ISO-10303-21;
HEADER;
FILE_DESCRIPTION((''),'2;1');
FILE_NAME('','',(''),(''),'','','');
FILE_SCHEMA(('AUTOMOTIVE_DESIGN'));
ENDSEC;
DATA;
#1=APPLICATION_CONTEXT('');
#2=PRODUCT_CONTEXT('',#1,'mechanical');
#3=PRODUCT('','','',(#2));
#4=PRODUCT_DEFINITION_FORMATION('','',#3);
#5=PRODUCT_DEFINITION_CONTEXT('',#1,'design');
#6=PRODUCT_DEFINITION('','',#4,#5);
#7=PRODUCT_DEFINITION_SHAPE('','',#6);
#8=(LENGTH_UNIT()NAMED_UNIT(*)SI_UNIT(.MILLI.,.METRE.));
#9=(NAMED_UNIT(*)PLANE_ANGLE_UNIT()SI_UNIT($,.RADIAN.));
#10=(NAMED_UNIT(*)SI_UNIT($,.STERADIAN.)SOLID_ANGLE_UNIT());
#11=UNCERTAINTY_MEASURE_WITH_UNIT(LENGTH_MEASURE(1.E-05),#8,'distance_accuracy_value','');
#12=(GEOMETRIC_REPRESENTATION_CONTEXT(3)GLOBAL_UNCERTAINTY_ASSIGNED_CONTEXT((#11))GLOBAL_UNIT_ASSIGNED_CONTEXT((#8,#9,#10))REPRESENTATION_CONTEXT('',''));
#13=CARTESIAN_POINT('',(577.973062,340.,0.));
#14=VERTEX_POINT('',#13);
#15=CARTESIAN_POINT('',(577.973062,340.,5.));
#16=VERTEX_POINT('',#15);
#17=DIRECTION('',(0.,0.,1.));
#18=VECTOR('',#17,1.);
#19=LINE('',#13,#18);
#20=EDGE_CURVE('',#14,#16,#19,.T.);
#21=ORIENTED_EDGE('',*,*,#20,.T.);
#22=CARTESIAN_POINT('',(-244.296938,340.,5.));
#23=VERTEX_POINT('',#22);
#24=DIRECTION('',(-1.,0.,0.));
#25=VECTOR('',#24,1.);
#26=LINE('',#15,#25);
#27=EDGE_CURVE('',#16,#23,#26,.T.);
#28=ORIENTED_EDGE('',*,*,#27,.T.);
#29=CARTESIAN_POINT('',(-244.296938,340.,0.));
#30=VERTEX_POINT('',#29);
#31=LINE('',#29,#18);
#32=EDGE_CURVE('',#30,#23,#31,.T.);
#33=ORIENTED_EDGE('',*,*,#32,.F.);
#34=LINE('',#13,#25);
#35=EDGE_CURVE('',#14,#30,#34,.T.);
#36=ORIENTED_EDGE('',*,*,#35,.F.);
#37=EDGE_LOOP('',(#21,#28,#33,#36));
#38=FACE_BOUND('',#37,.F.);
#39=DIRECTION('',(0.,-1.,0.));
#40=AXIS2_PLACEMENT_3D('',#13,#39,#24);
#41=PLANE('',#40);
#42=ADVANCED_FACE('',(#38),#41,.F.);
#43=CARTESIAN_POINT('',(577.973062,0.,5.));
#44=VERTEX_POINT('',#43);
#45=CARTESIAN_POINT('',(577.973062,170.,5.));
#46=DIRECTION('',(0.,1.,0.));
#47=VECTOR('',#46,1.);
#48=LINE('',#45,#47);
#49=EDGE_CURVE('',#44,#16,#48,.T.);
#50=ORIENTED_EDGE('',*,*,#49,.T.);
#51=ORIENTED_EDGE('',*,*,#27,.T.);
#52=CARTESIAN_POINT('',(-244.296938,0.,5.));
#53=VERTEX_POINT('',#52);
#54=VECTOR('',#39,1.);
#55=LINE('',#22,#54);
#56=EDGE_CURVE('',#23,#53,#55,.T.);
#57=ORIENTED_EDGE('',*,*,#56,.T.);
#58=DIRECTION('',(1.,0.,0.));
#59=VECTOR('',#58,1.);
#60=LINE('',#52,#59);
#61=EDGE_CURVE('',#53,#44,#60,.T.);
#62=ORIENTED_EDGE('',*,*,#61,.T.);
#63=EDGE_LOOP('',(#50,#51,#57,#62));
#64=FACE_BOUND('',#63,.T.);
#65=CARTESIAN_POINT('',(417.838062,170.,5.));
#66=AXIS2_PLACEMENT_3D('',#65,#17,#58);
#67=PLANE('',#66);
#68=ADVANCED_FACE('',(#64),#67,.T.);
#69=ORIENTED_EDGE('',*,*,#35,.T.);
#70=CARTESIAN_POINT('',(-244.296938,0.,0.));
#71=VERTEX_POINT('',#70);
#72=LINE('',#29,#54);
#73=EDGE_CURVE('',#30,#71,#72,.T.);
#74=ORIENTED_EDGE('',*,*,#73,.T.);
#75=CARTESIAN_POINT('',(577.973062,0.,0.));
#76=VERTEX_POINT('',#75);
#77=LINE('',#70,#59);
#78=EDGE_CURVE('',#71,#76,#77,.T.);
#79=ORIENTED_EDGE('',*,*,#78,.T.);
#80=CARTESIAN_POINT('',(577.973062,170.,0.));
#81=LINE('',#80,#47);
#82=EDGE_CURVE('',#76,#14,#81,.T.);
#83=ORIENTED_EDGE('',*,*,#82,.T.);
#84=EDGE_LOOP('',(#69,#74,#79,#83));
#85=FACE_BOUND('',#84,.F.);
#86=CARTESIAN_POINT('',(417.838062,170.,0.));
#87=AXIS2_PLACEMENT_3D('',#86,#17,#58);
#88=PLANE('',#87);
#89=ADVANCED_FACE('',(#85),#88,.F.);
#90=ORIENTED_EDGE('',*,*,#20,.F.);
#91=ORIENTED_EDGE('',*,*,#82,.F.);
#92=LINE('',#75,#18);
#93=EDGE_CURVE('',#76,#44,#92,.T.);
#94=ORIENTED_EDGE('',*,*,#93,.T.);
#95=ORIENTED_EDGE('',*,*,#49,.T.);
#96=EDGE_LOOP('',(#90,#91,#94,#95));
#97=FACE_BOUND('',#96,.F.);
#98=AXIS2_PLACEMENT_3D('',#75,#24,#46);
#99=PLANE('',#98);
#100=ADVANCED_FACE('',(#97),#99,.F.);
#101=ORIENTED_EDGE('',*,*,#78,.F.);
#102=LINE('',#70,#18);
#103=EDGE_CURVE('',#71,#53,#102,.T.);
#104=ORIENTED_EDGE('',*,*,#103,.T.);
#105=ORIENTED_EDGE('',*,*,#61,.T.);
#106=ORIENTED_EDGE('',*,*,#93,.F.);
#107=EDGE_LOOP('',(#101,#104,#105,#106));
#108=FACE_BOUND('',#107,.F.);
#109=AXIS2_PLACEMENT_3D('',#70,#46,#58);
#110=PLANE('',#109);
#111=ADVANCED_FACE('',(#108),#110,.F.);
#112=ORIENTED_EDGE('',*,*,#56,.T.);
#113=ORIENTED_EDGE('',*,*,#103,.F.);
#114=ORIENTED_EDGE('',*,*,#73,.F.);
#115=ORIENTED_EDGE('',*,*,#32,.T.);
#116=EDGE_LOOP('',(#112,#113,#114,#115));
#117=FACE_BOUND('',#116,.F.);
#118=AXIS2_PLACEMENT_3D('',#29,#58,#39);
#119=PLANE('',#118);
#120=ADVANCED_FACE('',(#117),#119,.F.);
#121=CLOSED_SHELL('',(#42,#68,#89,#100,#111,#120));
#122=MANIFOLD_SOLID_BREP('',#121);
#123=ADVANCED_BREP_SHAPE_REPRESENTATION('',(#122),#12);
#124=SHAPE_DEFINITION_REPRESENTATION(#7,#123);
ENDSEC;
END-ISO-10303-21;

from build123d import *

# Parameters (mm, degrees)
F0_W     = 279.31
F0_H     = 340
F0_W_2   = 20.48
F0_W_3   = 170
F0_W_4   = 111
F0_W_5   = 39.75
F0_W_6   = 81.93
F0_H_2   = 291
F1_DEPTH = 5


with BuildPart() as f1:
    # F0 (on Top) → F1 (new body)
    with BuildSketch(Plane.XY):
        with Locations((417.838062, 170)):
            Rectangle(F0_W, F0_H)
        with Locations((567.733062, 170)):
            Rectangle(F0_W_2, F0_H)
        with Locations((193.183062, 170)):
            Rectangle(F0_W_3, F0_H)
        with Locations((52.683062, 170)):
            Rectangle(F0_W_4, F0_H)
        with Locations((-22.691938, 170)):
            Rectangle(F0_W_5, F0_H)
        Polygon((-80.436938, 0), (-42.566938, 0), (-42.566938, 340), (-57.234206, 340), (-80.436938, 340), (-80.436938, 291), align=None)
        with Locations((-121.401938, 145.5)):
            Rectangle(F0_W_6, F0_H_2)
        Polygon((-162.366938, 291), (-80.436938, 291), (-80.436938, 340), (-244.296938, 340), (-244.296938, 291), align=None)
        with Locations((-203.331938, 145.5)):
            Rectangle(F0_W_6, F0_H_2)
    extrude(amount=F1_DEPTH)


solid = f1.part
